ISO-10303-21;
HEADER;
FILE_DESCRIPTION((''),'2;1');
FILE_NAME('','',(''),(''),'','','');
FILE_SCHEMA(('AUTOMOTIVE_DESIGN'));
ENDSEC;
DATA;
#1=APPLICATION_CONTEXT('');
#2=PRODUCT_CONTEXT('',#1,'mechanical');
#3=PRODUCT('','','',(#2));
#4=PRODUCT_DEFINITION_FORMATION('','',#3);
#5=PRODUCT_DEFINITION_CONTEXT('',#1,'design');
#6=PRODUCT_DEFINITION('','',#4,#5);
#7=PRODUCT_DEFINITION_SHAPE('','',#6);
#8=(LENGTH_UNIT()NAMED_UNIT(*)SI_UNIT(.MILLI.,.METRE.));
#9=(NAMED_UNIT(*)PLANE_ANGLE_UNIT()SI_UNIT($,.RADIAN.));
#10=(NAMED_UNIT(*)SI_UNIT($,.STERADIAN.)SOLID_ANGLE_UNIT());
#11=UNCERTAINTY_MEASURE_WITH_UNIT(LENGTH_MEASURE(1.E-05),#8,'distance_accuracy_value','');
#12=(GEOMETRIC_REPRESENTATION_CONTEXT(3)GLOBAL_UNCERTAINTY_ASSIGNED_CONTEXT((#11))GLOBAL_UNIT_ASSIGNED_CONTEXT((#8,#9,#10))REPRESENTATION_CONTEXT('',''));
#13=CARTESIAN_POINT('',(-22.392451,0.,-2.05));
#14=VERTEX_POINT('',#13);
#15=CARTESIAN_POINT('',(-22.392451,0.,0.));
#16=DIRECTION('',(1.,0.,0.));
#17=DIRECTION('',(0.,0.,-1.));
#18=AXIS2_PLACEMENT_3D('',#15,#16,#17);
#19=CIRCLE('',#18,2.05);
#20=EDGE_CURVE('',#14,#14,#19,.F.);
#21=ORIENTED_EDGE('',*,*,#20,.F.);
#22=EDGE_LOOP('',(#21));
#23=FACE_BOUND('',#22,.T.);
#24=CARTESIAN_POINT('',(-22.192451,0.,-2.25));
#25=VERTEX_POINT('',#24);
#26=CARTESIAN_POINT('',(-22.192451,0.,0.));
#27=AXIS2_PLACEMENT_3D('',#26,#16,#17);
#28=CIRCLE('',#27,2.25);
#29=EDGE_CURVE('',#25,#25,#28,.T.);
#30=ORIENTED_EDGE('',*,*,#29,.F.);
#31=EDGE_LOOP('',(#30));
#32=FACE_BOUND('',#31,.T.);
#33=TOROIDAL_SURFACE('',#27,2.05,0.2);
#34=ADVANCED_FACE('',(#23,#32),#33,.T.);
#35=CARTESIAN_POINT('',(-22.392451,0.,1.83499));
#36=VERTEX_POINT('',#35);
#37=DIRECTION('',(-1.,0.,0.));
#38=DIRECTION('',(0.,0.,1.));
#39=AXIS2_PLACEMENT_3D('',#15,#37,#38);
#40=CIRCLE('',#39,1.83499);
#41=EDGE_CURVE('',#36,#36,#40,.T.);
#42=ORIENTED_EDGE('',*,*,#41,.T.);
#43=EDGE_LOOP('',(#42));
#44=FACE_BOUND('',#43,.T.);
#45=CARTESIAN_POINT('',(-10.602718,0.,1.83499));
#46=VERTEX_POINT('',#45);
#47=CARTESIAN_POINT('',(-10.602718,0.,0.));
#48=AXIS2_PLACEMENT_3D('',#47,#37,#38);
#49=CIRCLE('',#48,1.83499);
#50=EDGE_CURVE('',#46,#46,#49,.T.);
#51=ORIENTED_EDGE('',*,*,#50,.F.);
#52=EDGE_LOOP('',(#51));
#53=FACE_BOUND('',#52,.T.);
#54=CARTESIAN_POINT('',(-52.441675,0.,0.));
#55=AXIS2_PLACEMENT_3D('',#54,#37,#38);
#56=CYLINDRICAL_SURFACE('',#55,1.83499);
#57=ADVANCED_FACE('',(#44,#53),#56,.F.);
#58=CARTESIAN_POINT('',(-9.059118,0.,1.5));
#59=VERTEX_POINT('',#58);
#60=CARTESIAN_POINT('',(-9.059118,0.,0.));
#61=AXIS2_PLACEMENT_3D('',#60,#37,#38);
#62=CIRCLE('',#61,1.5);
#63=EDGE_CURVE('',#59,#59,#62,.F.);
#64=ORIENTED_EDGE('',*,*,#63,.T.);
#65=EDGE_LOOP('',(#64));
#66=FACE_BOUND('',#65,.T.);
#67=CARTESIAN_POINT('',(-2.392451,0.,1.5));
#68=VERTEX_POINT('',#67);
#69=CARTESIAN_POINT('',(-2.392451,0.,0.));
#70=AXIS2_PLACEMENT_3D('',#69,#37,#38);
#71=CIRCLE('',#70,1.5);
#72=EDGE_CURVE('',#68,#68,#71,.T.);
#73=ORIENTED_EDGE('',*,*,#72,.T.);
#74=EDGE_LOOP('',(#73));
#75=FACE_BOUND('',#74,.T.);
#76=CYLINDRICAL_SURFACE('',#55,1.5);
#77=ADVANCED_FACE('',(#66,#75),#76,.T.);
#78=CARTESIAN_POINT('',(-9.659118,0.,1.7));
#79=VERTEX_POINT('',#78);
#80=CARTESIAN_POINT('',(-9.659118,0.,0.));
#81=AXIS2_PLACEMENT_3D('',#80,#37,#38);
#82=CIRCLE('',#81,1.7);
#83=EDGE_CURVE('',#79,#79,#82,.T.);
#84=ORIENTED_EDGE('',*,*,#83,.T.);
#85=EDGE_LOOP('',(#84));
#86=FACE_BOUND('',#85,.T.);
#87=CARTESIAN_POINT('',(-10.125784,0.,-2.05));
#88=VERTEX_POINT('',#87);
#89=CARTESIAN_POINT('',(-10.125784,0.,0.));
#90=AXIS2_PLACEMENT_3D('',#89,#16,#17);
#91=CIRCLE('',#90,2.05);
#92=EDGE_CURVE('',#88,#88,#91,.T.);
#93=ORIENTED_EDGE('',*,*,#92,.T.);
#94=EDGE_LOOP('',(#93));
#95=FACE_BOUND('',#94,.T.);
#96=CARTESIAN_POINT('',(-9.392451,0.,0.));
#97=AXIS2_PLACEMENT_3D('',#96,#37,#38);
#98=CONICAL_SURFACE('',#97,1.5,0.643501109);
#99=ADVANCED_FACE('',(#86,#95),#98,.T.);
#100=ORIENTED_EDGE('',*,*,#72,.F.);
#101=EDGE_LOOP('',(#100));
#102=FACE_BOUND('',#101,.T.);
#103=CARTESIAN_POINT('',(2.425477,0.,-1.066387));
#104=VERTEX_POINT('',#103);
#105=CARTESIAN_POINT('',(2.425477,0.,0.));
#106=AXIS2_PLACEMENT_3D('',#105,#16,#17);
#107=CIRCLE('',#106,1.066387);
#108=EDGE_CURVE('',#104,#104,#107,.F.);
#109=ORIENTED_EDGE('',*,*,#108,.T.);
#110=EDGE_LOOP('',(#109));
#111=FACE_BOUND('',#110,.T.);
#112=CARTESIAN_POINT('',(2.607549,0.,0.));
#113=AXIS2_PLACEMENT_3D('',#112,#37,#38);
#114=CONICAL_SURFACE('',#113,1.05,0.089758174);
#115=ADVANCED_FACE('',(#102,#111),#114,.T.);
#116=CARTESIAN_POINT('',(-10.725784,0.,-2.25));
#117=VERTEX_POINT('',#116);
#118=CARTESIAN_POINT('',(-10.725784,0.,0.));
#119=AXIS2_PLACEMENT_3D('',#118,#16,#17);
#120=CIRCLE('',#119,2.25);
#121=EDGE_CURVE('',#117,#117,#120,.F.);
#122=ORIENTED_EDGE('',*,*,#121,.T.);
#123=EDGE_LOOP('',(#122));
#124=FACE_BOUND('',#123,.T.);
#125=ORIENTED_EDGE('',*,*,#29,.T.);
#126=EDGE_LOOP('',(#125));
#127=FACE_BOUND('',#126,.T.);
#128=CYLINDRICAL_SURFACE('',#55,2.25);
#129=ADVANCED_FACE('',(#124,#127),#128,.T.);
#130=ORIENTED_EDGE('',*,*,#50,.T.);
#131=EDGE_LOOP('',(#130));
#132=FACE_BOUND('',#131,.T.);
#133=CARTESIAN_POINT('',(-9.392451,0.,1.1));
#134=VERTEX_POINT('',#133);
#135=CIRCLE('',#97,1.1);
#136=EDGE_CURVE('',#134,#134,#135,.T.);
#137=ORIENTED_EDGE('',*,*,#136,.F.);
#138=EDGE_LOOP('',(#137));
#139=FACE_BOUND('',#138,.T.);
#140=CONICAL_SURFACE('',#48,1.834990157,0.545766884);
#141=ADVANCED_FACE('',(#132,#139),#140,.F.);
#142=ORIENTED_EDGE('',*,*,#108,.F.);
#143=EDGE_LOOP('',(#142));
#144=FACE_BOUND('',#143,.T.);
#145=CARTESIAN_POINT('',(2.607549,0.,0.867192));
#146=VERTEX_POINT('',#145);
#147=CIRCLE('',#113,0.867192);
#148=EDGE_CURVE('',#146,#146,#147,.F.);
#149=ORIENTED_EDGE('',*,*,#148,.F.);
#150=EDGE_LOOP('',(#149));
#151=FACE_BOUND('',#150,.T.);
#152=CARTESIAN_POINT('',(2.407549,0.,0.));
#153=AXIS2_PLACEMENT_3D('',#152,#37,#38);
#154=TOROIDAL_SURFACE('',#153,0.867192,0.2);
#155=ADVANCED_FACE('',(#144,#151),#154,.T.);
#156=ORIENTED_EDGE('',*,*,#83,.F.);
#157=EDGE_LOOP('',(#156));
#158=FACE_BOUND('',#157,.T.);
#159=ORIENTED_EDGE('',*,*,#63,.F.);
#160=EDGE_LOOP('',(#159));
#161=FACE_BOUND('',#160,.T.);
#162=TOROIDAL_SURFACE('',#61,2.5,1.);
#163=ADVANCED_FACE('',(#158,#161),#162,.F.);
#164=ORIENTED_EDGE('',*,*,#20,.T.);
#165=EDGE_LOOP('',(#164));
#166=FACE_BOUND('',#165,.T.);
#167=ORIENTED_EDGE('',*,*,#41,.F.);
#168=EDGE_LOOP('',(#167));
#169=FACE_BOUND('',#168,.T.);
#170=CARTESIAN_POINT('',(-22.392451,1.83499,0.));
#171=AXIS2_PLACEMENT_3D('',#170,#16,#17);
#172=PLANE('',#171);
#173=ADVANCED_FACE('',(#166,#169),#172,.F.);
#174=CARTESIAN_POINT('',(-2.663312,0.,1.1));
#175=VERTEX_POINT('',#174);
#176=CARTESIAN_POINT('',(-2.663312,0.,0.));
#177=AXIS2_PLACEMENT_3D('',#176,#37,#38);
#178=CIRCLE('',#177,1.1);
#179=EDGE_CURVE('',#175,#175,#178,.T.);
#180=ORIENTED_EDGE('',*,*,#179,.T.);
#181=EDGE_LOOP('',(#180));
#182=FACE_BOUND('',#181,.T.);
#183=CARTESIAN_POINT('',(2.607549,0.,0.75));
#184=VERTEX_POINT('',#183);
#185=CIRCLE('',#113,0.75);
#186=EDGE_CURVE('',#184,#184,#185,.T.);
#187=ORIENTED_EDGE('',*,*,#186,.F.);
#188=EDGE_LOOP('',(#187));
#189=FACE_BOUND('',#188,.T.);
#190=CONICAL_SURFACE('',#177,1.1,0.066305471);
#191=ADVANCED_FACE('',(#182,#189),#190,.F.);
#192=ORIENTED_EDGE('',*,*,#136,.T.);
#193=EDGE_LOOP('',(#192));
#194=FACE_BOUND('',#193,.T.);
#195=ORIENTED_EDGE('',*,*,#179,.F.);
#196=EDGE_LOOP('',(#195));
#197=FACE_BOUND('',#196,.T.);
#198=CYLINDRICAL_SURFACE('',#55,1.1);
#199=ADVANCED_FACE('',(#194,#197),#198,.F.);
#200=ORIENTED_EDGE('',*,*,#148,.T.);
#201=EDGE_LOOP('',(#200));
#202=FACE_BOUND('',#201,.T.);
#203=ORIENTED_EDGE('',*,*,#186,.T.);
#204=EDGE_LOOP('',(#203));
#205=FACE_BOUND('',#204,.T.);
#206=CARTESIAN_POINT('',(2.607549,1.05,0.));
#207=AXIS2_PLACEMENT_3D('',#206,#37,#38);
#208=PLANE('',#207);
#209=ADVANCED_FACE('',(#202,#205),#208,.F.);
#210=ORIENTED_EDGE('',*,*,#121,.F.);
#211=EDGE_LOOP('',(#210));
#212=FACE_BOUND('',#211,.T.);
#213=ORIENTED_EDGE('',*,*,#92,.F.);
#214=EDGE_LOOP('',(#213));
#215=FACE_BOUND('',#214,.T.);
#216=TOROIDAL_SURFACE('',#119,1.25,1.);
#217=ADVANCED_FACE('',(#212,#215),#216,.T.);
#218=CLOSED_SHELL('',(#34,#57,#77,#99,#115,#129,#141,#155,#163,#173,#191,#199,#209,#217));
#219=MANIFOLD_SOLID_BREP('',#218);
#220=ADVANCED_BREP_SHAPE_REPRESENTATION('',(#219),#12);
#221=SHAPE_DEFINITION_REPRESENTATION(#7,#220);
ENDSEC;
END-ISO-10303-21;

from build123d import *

# Parameters (mm, degrees)
FILLET_4_R = 0.2
FILLET_5_R = 1


with BuildPart() as part:
    # Эскиз1 → Повернуть1 (revolve)
    with BuildSketch(Plane.XY, mode=Mode.PRIVATE) as revolve_1_sk:
        Polygon((-22.392450879, 1.834990157), (-22.392450879, 2.25), (-10.392450879, 2.25), (-9.392450879, 1.5), (-2.392450879, 1.5), (2.607549121, 1.05), (2.607549121, 0.75), (-2.663312046, 1.1), (-9.392450879, 1.1), (-10.602717789, 1.834990157), align=None)
    revolve(revolve_1_sk.sketch.rotate(Axis((-52.441675284, 0, 0), (1, 0, 0)), 90), axis=Axis((-52.441675284, 0, 0), (1, 0, 0)))

    # Скругление4
    fillet_4_edges = [part.edges().sort_by_distance(p)[0] for p in [
        (-22.392450879, 0, -2.25),
        (2.607549121, 0, -1.05),
    ]]
    fillet(fillet_4_edges, radius=FILLET_4_R)

    # Скругление5
    fillet_5_edges = [part.edges().sort_by_distance(p)[0] for p in [
        (-10.392450879, 0, -2.25),
        (-9.392450879, 0, -1.5),
    ]]
    fillet(fillet_5_edges, radius=FILLET_5_R)


solid = part.part
